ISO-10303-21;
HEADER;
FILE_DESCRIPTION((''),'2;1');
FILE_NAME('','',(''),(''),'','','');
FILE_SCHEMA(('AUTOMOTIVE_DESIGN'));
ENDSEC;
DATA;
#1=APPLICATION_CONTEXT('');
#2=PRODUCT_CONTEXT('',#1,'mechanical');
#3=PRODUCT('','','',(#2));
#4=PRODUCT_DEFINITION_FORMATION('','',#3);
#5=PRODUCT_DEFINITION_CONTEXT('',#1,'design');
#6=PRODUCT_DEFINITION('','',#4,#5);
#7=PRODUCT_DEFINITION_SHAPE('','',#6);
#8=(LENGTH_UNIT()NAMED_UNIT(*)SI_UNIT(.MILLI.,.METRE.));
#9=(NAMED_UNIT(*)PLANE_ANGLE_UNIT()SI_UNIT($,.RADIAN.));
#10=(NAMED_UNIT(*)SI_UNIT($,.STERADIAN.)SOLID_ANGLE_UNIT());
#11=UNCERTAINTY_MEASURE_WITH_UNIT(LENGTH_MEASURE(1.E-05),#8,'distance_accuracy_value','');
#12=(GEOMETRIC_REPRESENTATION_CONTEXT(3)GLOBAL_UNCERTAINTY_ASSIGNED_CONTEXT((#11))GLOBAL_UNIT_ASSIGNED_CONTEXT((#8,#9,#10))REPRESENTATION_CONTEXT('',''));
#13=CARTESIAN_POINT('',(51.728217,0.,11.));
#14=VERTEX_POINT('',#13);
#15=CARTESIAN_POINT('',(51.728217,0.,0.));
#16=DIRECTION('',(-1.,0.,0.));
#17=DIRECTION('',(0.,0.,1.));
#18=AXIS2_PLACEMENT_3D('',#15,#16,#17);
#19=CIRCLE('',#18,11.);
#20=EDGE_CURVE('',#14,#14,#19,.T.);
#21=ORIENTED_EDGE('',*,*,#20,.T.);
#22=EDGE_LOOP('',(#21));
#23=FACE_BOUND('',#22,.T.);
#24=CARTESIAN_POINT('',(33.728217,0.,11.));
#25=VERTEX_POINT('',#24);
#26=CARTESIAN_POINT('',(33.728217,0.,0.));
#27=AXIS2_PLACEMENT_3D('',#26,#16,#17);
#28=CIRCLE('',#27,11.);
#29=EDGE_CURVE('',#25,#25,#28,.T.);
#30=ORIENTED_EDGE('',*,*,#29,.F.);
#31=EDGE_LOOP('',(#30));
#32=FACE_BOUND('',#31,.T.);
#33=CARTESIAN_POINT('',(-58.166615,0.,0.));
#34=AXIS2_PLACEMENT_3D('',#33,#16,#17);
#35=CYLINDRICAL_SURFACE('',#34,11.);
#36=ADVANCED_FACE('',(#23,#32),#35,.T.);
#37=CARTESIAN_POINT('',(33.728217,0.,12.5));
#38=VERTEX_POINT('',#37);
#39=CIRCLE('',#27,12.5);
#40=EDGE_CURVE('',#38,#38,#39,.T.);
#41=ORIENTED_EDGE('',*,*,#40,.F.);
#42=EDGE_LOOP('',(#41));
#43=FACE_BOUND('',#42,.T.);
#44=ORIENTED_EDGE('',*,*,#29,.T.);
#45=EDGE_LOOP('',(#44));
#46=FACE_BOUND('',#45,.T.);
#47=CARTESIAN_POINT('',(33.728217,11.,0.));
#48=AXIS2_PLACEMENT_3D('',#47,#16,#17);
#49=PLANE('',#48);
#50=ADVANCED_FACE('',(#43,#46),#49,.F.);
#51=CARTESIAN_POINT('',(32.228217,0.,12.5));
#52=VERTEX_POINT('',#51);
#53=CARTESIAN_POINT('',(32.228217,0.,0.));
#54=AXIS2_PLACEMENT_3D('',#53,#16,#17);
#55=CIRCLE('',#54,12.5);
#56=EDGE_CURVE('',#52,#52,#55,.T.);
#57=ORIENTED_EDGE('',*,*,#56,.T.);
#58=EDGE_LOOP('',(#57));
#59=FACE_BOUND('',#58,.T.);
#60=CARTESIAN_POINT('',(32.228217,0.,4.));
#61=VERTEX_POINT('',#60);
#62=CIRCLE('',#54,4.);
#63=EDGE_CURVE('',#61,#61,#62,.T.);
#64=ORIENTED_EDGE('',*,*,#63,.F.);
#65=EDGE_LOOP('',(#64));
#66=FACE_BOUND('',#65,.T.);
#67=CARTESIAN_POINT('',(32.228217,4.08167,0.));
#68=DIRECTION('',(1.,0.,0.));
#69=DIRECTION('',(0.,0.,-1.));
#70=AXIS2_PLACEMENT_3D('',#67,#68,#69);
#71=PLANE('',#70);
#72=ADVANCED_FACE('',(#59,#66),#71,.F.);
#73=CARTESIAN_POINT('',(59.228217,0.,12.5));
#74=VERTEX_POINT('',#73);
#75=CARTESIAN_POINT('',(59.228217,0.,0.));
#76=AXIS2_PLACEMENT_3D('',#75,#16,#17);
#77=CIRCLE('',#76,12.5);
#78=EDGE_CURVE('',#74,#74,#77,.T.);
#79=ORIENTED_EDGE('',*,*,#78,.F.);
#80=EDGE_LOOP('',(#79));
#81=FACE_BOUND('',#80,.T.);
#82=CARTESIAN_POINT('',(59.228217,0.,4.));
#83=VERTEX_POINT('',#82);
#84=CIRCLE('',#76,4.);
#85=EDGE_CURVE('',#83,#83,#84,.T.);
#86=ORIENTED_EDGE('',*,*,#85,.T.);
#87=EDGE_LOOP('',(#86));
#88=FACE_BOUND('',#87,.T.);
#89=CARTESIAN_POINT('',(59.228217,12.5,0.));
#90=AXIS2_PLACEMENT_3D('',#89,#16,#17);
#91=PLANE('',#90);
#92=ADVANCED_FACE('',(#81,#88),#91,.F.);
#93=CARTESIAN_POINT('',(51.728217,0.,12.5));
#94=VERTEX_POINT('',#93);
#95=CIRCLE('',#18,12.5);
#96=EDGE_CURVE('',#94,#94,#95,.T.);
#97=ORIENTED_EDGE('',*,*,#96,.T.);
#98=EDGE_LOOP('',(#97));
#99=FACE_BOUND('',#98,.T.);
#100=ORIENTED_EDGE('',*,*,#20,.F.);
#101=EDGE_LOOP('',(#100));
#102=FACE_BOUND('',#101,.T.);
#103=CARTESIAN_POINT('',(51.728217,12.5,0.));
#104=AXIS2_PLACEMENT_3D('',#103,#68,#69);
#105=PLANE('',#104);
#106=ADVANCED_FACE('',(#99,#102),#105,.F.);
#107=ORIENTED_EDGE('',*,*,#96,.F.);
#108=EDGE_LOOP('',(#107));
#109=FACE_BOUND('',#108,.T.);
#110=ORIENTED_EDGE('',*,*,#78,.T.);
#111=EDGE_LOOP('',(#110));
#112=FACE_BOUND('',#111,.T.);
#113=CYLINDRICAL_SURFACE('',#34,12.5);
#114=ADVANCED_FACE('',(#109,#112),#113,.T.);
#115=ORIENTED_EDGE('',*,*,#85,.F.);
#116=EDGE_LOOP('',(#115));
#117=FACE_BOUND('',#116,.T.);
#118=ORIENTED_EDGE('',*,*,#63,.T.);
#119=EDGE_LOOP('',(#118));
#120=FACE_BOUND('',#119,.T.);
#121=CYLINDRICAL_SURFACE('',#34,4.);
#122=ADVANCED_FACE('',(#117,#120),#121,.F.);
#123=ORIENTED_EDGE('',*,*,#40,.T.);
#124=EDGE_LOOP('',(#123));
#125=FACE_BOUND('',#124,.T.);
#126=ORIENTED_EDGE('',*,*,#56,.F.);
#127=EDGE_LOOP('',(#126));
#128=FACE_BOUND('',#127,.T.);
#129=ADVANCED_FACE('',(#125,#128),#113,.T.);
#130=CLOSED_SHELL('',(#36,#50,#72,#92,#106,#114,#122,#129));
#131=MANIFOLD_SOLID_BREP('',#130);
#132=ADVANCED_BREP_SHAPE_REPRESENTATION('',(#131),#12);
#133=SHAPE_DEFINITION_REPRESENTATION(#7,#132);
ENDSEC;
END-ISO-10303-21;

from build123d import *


with BuildPart() as part:
    # Sketch1 → Revolve1 (revolve)
    with BuildSketch(Plane.XY, mode=Mode.PRIVATE) as revolve1_sk:
        Polygon((59.2282167, 12.5), (51.7282167, 12.5), (51.7282167, 11), (33.7282167, 11), (33.7282167, 12.5), (32.2282167, 12.5), (32.2282167, 4.08167039), (32.2282167, 4), (59.2282167, 4), align=None)
    revolve(revolve1_sk.sketch.rotate(Axis((-58.16661515, 0, 0), (1, 0, 0)), 90), axis=Axis((-58.16661515, 0, 0), (1, 0, 0)))


solid = part.part
